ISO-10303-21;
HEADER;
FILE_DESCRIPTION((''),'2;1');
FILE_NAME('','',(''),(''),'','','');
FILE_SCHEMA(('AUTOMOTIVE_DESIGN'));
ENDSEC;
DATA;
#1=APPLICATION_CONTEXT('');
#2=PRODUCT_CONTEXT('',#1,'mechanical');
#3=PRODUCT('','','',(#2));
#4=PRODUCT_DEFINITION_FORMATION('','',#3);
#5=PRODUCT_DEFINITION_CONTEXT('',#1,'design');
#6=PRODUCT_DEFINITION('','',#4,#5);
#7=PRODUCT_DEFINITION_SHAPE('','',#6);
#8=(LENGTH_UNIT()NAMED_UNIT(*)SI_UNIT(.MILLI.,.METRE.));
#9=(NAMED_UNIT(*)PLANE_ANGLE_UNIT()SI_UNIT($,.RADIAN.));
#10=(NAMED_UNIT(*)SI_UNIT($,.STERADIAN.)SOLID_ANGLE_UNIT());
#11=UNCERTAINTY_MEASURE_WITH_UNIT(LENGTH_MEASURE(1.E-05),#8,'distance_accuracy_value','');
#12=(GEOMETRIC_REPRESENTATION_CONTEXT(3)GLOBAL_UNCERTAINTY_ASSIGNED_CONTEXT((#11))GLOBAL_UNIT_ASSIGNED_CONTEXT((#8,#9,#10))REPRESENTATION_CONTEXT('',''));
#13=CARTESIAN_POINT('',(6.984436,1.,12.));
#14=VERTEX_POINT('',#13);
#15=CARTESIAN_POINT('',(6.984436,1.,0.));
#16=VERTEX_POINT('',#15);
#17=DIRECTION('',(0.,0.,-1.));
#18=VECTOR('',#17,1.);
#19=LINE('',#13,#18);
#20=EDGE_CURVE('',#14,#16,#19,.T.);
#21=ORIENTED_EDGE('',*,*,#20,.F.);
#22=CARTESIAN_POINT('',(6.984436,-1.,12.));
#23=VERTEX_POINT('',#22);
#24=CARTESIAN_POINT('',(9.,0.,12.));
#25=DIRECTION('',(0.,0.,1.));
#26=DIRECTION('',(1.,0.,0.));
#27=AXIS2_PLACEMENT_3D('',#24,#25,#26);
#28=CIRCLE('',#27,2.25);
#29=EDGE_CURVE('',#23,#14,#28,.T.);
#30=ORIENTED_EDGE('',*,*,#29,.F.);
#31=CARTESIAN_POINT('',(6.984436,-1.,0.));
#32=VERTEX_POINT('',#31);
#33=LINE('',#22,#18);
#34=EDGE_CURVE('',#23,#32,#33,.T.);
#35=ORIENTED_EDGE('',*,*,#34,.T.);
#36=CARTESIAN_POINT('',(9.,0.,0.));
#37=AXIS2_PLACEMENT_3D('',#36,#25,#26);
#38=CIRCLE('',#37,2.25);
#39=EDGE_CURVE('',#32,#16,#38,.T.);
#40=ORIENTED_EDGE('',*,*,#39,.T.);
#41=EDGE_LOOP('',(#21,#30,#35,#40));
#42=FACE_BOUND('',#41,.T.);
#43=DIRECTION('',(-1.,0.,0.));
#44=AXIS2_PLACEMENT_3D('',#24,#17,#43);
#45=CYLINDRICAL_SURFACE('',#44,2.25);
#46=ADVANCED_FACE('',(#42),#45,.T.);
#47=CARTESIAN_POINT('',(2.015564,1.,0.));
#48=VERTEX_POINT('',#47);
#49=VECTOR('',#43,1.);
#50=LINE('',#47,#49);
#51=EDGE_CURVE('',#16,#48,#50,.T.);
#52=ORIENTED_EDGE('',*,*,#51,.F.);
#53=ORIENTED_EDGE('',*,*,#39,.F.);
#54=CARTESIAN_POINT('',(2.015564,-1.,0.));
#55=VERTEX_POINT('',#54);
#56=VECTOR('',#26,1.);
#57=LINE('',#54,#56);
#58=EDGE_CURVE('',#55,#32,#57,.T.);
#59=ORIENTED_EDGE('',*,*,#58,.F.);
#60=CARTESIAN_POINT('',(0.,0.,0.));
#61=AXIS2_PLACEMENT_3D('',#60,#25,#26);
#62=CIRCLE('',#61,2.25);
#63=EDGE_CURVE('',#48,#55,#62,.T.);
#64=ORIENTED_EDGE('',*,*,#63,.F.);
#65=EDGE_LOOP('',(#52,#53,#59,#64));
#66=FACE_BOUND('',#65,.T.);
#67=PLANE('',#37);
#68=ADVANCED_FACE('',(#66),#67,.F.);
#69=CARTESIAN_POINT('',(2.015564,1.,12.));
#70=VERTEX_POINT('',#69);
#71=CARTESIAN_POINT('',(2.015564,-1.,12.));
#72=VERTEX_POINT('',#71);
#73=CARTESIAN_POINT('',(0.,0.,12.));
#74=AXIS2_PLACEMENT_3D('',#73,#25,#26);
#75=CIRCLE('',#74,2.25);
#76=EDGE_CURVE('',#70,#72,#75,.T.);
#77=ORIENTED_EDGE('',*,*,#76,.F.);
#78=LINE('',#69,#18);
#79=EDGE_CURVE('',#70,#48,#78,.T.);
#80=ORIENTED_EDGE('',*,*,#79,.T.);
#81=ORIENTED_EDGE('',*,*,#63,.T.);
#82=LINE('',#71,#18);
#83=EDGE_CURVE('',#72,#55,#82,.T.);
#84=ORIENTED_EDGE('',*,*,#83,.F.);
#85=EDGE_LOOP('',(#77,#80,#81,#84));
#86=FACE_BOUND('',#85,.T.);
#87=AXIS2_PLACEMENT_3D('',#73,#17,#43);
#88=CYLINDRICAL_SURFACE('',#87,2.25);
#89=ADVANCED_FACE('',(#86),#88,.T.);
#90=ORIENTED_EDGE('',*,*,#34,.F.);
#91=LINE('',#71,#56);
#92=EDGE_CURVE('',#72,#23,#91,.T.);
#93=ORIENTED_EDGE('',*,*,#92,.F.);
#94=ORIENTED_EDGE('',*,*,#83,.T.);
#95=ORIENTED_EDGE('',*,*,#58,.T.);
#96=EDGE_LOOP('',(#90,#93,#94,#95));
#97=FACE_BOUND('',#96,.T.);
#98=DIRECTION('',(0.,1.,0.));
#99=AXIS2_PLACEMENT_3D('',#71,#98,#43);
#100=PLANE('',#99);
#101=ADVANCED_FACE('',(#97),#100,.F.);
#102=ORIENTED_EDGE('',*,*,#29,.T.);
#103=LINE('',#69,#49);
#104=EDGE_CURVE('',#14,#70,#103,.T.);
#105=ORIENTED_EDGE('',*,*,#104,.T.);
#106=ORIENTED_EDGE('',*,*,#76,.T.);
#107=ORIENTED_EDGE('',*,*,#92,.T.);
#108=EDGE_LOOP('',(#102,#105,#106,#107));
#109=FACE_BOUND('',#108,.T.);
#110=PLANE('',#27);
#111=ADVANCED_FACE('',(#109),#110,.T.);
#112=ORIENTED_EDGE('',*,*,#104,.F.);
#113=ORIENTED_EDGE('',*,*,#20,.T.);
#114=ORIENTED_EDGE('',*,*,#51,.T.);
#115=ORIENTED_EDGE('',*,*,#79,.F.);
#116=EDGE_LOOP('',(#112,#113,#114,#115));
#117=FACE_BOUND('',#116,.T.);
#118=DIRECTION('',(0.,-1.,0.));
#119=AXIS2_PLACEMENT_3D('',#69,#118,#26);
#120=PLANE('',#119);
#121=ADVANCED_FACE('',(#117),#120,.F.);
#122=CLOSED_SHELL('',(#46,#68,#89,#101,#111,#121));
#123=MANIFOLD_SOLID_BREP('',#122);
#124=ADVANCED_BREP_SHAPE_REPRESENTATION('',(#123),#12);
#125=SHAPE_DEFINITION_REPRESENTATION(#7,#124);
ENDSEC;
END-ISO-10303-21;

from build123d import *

# Parameters (mm, degrees)
BOSS_EXTRUDE1_DEPTH = 12


with BuildPart() as part:
    # Sketch1 → Boss-Extrude1 (new body)
    with BuildSketch(Plane.XY):
        with BuildLine():
            Line((2.015564437, 1), (6.984435563, 1))
            ThreePointArc((6.984435563, 1), (11.25, 0), (6.984435563, -1))
            Line((6.984435563, -1), (2.015564437, -1))
            ThreePointArc((2.015564437, -1), (-2.25, 0), (2.015564437, 1))
        make_face()
    extrude(amount=BOSS_EXTRUDE1_DEPTH)


solid = part.part
